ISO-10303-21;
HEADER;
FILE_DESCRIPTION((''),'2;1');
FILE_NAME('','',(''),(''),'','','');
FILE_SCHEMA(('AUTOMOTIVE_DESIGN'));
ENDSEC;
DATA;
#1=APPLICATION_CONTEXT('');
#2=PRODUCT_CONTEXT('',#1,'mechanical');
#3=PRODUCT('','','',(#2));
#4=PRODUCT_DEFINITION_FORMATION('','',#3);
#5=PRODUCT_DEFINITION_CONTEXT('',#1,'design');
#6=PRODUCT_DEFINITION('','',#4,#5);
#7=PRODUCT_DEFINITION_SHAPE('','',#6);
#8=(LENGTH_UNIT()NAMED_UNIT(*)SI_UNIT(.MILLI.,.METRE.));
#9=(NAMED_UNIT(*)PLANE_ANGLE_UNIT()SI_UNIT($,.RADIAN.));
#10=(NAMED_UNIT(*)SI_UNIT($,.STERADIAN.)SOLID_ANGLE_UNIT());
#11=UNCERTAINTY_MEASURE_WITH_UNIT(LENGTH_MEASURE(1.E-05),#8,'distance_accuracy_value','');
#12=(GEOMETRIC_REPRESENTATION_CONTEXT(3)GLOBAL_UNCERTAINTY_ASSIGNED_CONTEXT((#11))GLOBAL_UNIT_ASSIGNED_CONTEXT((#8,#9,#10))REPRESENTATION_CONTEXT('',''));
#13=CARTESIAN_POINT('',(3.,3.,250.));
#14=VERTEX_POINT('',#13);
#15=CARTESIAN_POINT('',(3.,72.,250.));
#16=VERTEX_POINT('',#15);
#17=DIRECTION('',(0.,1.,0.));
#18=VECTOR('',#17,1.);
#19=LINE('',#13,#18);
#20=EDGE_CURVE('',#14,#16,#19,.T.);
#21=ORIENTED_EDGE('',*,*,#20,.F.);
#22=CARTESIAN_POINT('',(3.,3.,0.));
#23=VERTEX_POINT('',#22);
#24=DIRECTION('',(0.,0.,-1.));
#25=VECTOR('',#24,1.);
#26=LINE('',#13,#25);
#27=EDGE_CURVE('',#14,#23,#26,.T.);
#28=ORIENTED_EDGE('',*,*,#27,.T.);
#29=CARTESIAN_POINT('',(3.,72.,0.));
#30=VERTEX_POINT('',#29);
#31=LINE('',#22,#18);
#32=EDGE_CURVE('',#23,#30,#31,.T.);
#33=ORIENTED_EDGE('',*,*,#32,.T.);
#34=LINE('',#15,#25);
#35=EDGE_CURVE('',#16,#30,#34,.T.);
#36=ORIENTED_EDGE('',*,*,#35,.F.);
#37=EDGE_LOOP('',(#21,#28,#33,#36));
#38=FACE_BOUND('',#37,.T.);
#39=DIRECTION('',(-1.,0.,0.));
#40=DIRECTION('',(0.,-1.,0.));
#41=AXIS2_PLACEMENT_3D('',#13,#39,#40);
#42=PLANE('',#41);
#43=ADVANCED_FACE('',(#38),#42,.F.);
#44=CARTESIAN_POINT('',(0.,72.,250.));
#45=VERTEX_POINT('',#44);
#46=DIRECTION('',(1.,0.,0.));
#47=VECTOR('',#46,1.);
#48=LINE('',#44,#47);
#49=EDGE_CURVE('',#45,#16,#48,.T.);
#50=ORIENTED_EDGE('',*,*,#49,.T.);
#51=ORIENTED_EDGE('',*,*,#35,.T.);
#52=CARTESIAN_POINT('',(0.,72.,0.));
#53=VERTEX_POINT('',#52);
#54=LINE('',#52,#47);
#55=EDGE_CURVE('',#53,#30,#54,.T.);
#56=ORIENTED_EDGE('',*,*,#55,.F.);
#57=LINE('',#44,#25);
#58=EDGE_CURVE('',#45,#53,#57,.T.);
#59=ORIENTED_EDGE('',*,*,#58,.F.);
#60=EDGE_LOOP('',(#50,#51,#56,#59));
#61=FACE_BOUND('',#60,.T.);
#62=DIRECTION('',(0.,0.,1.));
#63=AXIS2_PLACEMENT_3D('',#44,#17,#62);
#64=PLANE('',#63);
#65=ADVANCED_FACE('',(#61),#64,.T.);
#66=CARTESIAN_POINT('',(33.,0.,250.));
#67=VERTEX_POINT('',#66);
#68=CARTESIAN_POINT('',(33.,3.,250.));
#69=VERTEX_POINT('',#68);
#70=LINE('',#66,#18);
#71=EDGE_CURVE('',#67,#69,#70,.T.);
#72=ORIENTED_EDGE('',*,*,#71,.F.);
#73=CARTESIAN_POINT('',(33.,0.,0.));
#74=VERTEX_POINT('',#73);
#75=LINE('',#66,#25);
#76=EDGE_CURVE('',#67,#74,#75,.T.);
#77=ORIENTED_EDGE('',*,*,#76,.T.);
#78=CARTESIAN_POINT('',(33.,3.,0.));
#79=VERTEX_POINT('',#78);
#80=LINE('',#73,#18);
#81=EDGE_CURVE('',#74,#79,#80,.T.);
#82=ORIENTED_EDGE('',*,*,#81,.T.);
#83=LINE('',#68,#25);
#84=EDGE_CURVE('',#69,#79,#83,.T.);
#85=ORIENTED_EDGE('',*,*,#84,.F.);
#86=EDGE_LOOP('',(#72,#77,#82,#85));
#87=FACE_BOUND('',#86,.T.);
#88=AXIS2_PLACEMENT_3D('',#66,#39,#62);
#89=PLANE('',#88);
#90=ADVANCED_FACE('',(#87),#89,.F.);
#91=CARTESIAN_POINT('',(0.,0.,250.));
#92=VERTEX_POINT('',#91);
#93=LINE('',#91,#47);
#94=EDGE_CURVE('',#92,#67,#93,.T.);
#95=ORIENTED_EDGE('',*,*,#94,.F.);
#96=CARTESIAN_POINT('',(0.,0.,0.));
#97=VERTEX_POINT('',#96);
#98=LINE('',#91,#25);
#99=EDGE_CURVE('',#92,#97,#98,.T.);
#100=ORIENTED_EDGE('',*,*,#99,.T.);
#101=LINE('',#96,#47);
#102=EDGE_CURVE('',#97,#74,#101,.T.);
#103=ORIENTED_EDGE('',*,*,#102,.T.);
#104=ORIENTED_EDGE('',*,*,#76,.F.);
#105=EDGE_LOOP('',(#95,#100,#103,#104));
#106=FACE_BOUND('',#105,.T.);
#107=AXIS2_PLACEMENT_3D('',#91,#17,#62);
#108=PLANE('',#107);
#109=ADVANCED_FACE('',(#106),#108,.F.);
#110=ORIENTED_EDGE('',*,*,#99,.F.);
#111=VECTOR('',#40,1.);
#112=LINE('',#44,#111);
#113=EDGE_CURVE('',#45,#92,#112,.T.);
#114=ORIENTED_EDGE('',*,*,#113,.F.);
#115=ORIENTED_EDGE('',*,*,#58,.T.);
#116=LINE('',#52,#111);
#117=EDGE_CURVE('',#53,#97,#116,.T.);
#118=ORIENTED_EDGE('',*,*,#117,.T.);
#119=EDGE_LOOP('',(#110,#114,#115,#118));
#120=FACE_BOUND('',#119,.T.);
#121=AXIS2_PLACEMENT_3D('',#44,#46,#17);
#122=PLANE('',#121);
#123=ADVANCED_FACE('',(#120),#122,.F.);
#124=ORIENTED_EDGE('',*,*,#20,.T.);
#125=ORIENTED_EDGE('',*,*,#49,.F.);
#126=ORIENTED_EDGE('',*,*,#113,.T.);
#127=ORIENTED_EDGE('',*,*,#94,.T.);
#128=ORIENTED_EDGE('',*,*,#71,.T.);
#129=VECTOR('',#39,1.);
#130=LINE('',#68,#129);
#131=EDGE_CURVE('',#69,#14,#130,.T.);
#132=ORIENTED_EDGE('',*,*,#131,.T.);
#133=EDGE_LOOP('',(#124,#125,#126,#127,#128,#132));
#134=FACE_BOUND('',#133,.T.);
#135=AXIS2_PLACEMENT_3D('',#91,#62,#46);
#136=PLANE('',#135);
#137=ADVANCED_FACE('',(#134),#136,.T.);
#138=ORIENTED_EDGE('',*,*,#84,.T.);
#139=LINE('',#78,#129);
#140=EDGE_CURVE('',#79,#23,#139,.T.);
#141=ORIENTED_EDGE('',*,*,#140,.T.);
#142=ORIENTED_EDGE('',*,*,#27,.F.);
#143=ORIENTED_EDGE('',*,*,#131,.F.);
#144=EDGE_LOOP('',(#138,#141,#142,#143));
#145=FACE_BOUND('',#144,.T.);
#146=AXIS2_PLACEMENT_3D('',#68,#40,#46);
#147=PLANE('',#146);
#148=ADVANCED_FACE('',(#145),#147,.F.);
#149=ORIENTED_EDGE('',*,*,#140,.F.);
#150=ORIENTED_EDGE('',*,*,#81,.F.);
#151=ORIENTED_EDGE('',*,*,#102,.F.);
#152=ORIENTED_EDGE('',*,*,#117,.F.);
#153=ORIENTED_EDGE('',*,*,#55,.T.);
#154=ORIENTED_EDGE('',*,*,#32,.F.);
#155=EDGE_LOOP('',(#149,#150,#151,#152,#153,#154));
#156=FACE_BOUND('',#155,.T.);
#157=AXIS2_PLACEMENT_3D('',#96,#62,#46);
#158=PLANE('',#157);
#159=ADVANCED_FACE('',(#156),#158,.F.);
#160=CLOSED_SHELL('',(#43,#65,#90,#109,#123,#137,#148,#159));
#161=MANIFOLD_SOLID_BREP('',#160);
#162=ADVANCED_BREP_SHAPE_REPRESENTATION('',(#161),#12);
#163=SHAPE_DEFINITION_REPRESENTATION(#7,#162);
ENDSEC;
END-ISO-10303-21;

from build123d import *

# Parameters (mm, degrees)
BOSS_EXTRUDE1_DEPTH = 250


with BuildPart() as part:
    # Sketch1 → Boss-Extrude1 (new body)
    with BuildSketch(Plane.XY):
        Polygon((0, 72), (3, 72), (3, 3), (33, 3), (33, 0), (0, 0), align=None)
    extrude(amount=BOSS_EXTRUDE1_DEPTH)


solid = part.part
